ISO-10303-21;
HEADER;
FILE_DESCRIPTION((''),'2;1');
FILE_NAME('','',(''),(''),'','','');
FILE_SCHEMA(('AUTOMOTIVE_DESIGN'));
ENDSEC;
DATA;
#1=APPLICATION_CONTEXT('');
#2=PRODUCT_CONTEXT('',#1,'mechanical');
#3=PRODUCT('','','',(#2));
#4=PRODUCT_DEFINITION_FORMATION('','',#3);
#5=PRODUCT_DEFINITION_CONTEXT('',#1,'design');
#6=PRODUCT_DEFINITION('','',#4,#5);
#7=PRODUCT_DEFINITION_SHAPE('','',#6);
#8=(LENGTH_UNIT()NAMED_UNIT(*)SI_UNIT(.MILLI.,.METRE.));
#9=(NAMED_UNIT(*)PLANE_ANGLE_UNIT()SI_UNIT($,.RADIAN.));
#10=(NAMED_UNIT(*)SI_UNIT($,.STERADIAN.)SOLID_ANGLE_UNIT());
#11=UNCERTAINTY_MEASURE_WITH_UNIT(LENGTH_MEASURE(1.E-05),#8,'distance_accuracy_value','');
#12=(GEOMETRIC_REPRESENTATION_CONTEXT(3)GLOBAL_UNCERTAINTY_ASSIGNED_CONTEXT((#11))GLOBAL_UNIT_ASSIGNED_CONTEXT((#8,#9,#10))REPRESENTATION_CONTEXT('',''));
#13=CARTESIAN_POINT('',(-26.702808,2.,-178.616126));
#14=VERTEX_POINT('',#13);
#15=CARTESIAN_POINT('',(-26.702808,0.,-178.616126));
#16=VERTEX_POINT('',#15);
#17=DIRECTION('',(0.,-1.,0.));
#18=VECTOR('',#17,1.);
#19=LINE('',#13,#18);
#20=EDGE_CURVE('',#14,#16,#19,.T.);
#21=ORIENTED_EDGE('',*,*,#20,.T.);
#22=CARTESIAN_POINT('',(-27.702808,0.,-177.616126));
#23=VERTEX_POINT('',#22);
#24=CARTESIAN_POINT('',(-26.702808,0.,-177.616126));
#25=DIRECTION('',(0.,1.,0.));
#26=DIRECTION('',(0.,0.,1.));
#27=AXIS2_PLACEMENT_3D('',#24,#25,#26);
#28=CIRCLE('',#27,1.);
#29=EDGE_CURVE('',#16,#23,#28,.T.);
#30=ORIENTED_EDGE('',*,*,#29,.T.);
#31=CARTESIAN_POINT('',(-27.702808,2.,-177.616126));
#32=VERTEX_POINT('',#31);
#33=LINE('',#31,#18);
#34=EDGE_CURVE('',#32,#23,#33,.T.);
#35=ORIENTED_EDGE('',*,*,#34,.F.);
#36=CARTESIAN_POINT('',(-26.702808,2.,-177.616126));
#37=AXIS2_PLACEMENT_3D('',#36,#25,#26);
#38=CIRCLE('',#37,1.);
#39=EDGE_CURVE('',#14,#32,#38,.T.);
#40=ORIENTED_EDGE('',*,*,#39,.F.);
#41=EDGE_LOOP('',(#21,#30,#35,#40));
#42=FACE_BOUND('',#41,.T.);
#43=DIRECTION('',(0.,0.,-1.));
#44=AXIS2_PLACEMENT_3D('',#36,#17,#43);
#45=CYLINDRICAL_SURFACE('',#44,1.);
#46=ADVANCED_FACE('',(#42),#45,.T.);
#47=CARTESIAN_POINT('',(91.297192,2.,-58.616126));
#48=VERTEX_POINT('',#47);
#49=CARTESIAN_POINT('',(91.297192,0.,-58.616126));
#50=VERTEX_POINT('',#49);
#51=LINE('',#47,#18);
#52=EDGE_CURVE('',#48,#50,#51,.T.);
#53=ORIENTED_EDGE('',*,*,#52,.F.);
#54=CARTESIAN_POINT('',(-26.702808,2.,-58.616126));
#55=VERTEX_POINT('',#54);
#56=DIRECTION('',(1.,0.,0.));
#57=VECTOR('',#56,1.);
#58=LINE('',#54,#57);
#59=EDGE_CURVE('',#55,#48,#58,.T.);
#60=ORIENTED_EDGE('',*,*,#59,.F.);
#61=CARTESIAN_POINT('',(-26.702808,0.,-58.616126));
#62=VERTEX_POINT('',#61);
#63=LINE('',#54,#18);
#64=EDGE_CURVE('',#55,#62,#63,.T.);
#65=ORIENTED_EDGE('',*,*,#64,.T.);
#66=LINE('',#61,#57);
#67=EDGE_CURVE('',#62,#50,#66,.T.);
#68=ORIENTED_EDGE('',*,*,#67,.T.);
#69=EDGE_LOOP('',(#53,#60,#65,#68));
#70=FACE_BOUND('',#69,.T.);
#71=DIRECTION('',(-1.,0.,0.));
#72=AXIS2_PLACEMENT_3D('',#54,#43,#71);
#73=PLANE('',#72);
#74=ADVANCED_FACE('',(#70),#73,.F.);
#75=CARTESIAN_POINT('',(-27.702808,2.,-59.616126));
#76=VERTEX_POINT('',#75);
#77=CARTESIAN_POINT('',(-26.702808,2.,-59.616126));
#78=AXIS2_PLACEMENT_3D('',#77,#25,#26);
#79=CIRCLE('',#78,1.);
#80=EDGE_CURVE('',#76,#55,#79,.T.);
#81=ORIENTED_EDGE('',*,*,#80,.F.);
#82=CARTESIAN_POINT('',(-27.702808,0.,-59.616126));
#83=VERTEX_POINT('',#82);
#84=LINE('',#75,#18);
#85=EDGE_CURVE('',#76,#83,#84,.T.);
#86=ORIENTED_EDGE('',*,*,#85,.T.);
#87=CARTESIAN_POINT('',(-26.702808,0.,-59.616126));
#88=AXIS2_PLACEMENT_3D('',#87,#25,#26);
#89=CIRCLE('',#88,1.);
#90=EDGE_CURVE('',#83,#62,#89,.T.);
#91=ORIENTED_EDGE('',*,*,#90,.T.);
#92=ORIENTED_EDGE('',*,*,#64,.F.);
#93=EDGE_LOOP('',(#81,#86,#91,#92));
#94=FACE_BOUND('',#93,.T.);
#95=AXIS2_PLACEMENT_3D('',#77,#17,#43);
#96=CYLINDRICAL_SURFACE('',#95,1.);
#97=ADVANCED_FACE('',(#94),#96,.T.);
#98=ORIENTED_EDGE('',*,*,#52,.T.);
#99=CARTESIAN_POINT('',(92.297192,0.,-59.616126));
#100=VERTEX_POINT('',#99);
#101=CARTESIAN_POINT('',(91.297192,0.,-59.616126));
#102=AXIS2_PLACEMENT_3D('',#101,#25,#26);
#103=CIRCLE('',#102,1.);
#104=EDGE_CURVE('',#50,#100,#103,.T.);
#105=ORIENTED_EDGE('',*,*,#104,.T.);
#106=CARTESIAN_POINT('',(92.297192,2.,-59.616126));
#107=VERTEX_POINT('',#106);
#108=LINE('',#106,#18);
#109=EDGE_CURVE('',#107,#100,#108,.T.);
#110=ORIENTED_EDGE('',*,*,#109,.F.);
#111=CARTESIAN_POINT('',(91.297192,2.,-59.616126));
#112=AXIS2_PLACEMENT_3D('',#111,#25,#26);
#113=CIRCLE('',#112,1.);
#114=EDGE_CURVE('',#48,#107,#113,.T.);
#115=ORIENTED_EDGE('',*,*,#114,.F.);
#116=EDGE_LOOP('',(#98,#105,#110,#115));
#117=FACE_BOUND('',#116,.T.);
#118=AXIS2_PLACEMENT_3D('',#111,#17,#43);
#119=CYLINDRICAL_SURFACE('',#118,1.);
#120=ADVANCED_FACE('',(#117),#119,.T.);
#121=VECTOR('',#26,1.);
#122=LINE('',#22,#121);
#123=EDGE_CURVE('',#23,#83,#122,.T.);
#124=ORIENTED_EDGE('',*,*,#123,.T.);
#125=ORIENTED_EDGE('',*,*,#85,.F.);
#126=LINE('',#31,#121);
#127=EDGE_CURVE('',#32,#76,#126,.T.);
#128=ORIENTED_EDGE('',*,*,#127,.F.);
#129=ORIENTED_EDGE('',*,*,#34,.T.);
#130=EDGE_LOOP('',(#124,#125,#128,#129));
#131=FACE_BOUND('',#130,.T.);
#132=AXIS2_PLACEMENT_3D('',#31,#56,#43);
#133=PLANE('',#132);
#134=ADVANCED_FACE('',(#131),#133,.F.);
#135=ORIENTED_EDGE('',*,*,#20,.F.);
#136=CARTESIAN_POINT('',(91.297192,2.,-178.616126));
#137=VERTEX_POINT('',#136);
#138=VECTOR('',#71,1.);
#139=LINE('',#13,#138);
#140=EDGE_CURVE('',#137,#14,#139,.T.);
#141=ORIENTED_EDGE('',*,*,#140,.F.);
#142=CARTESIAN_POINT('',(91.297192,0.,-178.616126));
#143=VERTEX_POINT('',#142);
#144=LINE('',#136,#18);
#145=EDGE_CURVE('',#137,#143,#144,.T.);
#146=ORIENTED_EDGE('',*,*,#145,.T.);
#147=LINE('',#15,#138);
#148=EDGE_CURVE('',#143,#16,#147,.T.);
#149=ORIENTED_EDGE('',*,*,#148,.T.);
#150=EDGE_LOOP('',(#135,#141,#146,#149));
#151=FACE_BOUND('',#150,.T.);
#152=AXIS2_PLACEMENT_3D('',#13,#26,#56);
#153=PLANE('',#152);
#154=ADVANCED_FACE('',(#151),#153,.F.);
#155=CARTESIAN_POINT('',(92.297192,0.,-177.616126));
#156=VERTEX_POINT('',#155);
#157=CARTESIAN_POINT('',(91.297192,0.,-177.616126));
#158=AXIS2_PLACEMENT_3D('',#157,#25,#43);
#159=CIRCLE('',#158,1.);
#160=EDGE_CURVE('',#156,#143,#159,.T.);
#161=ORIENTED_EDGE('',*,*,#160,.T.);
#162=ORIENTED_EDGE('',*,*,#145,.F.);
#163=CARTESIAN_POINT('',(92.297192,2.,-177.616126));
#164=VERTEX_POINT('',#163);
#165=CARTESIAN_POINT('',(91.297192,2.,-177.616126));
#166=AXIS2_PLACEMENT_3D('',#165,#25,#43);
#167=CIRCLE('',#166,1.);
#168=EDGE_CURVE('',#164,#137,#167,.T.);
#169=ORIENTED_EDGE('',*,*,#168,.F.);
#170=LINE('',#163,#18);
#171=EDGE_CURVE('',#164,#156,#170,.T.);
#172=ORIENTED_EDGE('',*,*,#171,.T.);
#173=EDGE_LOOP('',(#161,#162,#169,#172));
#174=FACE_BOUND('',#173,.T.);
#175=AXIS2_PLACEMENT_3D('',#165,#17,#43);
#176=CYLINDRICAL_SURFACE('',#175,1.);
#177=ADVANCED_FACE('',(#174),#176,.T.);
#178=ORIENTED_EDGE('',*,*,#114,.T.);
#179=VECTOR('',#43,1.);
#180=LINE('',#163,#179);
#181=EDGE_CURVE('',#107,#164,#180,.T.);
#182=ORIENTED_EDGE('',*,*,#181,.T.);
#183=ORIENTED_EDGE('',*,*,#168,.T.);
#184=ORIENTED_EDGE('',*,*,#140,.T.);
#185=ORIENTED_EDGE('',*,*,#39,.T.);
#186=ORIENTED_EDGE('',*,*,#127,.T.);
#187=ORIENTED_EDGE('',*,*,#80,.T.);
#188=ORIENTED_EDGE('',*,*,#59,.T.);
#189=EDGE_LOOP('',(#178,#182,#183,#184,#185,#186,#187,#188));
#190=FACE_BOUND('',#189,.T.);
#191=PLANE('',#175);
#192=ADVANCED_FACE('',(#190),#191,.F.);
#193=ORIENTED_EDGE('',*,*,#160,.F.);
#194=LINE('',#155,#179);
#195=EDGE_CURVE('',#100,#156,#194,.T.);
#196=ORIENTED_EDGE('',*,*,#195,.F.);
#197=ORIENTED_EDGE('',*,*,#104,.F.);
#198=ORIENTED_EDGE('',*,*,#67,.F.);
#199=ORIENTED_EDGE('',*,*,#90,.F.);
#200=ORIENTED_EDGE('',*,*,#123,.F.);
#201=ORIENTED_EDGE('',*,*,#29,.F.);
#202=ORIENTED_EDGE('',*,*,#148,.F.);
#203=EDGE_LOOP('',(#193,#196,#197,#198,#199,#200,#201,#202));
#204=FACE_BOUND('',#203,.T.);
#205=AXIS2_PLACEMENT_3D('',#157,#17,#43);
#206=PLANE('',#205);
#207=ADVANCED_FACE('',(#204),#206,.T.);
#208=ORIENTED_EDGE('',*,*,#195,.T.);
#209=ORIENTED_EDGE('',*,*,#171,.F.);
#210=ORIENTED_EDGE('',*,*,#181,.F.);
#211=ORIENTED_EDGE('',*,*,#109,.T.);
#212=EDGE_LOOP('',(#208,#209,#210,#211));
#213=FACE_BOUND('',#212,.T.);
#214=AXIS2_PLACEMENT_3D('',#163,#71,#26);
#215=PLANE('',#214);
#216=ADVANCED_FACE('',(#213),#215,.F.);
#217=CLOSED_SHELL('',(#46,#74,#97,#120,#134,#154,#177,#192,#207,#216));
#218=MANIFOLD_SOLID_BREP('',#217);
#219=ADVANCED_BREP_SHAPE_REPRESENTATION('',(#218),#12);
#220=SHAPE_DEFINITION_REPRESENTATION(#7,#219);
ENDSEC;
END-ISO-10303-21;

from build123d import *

# Parameters (mm, degrees)
RESSALTO_EXTRUS_O1_DEPTH = 2


with BuildPart() as part:
    # Esboço1 → Ressalto-extrusão1 (new body)
    with BuildSketch(Plane(origin=(0, 0, 0), x_dir=(1, 0, 0), z_dir=(0, 1, 0))):
        with BuildLine():
            Line((-26.702808043, 178.616125956), (91.297191957, 178.616125956))
            ThreePointArc((91.297191957, 178.616125956), (92.004298738, 178.323232737), (92.297191957, 177.616125956))
            Line((92.297191957, 177.616125956), (92.297191957, 59.616125956))
            ThreePointArc((92.297191957, 59.616125956), (92.004298738, 58.909019175), (91.297191957, 58.616125956))
            Line((91.297191957, 58.616125956), (-26.702808043, 58.616125956))
            ThreePointArc((-26.702808043, 58.616125956), (-27.409914824, 58.909019175), (-27.702808043, 59.616125956))
            Line((-27.702808043, 59.616125956), (-27.702808043, 177.616125956))
            ThreePointArc((-27.702808043, 177.616125956), (-27.409914824, 178.323232737), (-26.702808043, 178.616125956))
        make_face()
    extrude(amount=RESSALTO_EXTRUS_O1_DEPTH)


solid = part.part
